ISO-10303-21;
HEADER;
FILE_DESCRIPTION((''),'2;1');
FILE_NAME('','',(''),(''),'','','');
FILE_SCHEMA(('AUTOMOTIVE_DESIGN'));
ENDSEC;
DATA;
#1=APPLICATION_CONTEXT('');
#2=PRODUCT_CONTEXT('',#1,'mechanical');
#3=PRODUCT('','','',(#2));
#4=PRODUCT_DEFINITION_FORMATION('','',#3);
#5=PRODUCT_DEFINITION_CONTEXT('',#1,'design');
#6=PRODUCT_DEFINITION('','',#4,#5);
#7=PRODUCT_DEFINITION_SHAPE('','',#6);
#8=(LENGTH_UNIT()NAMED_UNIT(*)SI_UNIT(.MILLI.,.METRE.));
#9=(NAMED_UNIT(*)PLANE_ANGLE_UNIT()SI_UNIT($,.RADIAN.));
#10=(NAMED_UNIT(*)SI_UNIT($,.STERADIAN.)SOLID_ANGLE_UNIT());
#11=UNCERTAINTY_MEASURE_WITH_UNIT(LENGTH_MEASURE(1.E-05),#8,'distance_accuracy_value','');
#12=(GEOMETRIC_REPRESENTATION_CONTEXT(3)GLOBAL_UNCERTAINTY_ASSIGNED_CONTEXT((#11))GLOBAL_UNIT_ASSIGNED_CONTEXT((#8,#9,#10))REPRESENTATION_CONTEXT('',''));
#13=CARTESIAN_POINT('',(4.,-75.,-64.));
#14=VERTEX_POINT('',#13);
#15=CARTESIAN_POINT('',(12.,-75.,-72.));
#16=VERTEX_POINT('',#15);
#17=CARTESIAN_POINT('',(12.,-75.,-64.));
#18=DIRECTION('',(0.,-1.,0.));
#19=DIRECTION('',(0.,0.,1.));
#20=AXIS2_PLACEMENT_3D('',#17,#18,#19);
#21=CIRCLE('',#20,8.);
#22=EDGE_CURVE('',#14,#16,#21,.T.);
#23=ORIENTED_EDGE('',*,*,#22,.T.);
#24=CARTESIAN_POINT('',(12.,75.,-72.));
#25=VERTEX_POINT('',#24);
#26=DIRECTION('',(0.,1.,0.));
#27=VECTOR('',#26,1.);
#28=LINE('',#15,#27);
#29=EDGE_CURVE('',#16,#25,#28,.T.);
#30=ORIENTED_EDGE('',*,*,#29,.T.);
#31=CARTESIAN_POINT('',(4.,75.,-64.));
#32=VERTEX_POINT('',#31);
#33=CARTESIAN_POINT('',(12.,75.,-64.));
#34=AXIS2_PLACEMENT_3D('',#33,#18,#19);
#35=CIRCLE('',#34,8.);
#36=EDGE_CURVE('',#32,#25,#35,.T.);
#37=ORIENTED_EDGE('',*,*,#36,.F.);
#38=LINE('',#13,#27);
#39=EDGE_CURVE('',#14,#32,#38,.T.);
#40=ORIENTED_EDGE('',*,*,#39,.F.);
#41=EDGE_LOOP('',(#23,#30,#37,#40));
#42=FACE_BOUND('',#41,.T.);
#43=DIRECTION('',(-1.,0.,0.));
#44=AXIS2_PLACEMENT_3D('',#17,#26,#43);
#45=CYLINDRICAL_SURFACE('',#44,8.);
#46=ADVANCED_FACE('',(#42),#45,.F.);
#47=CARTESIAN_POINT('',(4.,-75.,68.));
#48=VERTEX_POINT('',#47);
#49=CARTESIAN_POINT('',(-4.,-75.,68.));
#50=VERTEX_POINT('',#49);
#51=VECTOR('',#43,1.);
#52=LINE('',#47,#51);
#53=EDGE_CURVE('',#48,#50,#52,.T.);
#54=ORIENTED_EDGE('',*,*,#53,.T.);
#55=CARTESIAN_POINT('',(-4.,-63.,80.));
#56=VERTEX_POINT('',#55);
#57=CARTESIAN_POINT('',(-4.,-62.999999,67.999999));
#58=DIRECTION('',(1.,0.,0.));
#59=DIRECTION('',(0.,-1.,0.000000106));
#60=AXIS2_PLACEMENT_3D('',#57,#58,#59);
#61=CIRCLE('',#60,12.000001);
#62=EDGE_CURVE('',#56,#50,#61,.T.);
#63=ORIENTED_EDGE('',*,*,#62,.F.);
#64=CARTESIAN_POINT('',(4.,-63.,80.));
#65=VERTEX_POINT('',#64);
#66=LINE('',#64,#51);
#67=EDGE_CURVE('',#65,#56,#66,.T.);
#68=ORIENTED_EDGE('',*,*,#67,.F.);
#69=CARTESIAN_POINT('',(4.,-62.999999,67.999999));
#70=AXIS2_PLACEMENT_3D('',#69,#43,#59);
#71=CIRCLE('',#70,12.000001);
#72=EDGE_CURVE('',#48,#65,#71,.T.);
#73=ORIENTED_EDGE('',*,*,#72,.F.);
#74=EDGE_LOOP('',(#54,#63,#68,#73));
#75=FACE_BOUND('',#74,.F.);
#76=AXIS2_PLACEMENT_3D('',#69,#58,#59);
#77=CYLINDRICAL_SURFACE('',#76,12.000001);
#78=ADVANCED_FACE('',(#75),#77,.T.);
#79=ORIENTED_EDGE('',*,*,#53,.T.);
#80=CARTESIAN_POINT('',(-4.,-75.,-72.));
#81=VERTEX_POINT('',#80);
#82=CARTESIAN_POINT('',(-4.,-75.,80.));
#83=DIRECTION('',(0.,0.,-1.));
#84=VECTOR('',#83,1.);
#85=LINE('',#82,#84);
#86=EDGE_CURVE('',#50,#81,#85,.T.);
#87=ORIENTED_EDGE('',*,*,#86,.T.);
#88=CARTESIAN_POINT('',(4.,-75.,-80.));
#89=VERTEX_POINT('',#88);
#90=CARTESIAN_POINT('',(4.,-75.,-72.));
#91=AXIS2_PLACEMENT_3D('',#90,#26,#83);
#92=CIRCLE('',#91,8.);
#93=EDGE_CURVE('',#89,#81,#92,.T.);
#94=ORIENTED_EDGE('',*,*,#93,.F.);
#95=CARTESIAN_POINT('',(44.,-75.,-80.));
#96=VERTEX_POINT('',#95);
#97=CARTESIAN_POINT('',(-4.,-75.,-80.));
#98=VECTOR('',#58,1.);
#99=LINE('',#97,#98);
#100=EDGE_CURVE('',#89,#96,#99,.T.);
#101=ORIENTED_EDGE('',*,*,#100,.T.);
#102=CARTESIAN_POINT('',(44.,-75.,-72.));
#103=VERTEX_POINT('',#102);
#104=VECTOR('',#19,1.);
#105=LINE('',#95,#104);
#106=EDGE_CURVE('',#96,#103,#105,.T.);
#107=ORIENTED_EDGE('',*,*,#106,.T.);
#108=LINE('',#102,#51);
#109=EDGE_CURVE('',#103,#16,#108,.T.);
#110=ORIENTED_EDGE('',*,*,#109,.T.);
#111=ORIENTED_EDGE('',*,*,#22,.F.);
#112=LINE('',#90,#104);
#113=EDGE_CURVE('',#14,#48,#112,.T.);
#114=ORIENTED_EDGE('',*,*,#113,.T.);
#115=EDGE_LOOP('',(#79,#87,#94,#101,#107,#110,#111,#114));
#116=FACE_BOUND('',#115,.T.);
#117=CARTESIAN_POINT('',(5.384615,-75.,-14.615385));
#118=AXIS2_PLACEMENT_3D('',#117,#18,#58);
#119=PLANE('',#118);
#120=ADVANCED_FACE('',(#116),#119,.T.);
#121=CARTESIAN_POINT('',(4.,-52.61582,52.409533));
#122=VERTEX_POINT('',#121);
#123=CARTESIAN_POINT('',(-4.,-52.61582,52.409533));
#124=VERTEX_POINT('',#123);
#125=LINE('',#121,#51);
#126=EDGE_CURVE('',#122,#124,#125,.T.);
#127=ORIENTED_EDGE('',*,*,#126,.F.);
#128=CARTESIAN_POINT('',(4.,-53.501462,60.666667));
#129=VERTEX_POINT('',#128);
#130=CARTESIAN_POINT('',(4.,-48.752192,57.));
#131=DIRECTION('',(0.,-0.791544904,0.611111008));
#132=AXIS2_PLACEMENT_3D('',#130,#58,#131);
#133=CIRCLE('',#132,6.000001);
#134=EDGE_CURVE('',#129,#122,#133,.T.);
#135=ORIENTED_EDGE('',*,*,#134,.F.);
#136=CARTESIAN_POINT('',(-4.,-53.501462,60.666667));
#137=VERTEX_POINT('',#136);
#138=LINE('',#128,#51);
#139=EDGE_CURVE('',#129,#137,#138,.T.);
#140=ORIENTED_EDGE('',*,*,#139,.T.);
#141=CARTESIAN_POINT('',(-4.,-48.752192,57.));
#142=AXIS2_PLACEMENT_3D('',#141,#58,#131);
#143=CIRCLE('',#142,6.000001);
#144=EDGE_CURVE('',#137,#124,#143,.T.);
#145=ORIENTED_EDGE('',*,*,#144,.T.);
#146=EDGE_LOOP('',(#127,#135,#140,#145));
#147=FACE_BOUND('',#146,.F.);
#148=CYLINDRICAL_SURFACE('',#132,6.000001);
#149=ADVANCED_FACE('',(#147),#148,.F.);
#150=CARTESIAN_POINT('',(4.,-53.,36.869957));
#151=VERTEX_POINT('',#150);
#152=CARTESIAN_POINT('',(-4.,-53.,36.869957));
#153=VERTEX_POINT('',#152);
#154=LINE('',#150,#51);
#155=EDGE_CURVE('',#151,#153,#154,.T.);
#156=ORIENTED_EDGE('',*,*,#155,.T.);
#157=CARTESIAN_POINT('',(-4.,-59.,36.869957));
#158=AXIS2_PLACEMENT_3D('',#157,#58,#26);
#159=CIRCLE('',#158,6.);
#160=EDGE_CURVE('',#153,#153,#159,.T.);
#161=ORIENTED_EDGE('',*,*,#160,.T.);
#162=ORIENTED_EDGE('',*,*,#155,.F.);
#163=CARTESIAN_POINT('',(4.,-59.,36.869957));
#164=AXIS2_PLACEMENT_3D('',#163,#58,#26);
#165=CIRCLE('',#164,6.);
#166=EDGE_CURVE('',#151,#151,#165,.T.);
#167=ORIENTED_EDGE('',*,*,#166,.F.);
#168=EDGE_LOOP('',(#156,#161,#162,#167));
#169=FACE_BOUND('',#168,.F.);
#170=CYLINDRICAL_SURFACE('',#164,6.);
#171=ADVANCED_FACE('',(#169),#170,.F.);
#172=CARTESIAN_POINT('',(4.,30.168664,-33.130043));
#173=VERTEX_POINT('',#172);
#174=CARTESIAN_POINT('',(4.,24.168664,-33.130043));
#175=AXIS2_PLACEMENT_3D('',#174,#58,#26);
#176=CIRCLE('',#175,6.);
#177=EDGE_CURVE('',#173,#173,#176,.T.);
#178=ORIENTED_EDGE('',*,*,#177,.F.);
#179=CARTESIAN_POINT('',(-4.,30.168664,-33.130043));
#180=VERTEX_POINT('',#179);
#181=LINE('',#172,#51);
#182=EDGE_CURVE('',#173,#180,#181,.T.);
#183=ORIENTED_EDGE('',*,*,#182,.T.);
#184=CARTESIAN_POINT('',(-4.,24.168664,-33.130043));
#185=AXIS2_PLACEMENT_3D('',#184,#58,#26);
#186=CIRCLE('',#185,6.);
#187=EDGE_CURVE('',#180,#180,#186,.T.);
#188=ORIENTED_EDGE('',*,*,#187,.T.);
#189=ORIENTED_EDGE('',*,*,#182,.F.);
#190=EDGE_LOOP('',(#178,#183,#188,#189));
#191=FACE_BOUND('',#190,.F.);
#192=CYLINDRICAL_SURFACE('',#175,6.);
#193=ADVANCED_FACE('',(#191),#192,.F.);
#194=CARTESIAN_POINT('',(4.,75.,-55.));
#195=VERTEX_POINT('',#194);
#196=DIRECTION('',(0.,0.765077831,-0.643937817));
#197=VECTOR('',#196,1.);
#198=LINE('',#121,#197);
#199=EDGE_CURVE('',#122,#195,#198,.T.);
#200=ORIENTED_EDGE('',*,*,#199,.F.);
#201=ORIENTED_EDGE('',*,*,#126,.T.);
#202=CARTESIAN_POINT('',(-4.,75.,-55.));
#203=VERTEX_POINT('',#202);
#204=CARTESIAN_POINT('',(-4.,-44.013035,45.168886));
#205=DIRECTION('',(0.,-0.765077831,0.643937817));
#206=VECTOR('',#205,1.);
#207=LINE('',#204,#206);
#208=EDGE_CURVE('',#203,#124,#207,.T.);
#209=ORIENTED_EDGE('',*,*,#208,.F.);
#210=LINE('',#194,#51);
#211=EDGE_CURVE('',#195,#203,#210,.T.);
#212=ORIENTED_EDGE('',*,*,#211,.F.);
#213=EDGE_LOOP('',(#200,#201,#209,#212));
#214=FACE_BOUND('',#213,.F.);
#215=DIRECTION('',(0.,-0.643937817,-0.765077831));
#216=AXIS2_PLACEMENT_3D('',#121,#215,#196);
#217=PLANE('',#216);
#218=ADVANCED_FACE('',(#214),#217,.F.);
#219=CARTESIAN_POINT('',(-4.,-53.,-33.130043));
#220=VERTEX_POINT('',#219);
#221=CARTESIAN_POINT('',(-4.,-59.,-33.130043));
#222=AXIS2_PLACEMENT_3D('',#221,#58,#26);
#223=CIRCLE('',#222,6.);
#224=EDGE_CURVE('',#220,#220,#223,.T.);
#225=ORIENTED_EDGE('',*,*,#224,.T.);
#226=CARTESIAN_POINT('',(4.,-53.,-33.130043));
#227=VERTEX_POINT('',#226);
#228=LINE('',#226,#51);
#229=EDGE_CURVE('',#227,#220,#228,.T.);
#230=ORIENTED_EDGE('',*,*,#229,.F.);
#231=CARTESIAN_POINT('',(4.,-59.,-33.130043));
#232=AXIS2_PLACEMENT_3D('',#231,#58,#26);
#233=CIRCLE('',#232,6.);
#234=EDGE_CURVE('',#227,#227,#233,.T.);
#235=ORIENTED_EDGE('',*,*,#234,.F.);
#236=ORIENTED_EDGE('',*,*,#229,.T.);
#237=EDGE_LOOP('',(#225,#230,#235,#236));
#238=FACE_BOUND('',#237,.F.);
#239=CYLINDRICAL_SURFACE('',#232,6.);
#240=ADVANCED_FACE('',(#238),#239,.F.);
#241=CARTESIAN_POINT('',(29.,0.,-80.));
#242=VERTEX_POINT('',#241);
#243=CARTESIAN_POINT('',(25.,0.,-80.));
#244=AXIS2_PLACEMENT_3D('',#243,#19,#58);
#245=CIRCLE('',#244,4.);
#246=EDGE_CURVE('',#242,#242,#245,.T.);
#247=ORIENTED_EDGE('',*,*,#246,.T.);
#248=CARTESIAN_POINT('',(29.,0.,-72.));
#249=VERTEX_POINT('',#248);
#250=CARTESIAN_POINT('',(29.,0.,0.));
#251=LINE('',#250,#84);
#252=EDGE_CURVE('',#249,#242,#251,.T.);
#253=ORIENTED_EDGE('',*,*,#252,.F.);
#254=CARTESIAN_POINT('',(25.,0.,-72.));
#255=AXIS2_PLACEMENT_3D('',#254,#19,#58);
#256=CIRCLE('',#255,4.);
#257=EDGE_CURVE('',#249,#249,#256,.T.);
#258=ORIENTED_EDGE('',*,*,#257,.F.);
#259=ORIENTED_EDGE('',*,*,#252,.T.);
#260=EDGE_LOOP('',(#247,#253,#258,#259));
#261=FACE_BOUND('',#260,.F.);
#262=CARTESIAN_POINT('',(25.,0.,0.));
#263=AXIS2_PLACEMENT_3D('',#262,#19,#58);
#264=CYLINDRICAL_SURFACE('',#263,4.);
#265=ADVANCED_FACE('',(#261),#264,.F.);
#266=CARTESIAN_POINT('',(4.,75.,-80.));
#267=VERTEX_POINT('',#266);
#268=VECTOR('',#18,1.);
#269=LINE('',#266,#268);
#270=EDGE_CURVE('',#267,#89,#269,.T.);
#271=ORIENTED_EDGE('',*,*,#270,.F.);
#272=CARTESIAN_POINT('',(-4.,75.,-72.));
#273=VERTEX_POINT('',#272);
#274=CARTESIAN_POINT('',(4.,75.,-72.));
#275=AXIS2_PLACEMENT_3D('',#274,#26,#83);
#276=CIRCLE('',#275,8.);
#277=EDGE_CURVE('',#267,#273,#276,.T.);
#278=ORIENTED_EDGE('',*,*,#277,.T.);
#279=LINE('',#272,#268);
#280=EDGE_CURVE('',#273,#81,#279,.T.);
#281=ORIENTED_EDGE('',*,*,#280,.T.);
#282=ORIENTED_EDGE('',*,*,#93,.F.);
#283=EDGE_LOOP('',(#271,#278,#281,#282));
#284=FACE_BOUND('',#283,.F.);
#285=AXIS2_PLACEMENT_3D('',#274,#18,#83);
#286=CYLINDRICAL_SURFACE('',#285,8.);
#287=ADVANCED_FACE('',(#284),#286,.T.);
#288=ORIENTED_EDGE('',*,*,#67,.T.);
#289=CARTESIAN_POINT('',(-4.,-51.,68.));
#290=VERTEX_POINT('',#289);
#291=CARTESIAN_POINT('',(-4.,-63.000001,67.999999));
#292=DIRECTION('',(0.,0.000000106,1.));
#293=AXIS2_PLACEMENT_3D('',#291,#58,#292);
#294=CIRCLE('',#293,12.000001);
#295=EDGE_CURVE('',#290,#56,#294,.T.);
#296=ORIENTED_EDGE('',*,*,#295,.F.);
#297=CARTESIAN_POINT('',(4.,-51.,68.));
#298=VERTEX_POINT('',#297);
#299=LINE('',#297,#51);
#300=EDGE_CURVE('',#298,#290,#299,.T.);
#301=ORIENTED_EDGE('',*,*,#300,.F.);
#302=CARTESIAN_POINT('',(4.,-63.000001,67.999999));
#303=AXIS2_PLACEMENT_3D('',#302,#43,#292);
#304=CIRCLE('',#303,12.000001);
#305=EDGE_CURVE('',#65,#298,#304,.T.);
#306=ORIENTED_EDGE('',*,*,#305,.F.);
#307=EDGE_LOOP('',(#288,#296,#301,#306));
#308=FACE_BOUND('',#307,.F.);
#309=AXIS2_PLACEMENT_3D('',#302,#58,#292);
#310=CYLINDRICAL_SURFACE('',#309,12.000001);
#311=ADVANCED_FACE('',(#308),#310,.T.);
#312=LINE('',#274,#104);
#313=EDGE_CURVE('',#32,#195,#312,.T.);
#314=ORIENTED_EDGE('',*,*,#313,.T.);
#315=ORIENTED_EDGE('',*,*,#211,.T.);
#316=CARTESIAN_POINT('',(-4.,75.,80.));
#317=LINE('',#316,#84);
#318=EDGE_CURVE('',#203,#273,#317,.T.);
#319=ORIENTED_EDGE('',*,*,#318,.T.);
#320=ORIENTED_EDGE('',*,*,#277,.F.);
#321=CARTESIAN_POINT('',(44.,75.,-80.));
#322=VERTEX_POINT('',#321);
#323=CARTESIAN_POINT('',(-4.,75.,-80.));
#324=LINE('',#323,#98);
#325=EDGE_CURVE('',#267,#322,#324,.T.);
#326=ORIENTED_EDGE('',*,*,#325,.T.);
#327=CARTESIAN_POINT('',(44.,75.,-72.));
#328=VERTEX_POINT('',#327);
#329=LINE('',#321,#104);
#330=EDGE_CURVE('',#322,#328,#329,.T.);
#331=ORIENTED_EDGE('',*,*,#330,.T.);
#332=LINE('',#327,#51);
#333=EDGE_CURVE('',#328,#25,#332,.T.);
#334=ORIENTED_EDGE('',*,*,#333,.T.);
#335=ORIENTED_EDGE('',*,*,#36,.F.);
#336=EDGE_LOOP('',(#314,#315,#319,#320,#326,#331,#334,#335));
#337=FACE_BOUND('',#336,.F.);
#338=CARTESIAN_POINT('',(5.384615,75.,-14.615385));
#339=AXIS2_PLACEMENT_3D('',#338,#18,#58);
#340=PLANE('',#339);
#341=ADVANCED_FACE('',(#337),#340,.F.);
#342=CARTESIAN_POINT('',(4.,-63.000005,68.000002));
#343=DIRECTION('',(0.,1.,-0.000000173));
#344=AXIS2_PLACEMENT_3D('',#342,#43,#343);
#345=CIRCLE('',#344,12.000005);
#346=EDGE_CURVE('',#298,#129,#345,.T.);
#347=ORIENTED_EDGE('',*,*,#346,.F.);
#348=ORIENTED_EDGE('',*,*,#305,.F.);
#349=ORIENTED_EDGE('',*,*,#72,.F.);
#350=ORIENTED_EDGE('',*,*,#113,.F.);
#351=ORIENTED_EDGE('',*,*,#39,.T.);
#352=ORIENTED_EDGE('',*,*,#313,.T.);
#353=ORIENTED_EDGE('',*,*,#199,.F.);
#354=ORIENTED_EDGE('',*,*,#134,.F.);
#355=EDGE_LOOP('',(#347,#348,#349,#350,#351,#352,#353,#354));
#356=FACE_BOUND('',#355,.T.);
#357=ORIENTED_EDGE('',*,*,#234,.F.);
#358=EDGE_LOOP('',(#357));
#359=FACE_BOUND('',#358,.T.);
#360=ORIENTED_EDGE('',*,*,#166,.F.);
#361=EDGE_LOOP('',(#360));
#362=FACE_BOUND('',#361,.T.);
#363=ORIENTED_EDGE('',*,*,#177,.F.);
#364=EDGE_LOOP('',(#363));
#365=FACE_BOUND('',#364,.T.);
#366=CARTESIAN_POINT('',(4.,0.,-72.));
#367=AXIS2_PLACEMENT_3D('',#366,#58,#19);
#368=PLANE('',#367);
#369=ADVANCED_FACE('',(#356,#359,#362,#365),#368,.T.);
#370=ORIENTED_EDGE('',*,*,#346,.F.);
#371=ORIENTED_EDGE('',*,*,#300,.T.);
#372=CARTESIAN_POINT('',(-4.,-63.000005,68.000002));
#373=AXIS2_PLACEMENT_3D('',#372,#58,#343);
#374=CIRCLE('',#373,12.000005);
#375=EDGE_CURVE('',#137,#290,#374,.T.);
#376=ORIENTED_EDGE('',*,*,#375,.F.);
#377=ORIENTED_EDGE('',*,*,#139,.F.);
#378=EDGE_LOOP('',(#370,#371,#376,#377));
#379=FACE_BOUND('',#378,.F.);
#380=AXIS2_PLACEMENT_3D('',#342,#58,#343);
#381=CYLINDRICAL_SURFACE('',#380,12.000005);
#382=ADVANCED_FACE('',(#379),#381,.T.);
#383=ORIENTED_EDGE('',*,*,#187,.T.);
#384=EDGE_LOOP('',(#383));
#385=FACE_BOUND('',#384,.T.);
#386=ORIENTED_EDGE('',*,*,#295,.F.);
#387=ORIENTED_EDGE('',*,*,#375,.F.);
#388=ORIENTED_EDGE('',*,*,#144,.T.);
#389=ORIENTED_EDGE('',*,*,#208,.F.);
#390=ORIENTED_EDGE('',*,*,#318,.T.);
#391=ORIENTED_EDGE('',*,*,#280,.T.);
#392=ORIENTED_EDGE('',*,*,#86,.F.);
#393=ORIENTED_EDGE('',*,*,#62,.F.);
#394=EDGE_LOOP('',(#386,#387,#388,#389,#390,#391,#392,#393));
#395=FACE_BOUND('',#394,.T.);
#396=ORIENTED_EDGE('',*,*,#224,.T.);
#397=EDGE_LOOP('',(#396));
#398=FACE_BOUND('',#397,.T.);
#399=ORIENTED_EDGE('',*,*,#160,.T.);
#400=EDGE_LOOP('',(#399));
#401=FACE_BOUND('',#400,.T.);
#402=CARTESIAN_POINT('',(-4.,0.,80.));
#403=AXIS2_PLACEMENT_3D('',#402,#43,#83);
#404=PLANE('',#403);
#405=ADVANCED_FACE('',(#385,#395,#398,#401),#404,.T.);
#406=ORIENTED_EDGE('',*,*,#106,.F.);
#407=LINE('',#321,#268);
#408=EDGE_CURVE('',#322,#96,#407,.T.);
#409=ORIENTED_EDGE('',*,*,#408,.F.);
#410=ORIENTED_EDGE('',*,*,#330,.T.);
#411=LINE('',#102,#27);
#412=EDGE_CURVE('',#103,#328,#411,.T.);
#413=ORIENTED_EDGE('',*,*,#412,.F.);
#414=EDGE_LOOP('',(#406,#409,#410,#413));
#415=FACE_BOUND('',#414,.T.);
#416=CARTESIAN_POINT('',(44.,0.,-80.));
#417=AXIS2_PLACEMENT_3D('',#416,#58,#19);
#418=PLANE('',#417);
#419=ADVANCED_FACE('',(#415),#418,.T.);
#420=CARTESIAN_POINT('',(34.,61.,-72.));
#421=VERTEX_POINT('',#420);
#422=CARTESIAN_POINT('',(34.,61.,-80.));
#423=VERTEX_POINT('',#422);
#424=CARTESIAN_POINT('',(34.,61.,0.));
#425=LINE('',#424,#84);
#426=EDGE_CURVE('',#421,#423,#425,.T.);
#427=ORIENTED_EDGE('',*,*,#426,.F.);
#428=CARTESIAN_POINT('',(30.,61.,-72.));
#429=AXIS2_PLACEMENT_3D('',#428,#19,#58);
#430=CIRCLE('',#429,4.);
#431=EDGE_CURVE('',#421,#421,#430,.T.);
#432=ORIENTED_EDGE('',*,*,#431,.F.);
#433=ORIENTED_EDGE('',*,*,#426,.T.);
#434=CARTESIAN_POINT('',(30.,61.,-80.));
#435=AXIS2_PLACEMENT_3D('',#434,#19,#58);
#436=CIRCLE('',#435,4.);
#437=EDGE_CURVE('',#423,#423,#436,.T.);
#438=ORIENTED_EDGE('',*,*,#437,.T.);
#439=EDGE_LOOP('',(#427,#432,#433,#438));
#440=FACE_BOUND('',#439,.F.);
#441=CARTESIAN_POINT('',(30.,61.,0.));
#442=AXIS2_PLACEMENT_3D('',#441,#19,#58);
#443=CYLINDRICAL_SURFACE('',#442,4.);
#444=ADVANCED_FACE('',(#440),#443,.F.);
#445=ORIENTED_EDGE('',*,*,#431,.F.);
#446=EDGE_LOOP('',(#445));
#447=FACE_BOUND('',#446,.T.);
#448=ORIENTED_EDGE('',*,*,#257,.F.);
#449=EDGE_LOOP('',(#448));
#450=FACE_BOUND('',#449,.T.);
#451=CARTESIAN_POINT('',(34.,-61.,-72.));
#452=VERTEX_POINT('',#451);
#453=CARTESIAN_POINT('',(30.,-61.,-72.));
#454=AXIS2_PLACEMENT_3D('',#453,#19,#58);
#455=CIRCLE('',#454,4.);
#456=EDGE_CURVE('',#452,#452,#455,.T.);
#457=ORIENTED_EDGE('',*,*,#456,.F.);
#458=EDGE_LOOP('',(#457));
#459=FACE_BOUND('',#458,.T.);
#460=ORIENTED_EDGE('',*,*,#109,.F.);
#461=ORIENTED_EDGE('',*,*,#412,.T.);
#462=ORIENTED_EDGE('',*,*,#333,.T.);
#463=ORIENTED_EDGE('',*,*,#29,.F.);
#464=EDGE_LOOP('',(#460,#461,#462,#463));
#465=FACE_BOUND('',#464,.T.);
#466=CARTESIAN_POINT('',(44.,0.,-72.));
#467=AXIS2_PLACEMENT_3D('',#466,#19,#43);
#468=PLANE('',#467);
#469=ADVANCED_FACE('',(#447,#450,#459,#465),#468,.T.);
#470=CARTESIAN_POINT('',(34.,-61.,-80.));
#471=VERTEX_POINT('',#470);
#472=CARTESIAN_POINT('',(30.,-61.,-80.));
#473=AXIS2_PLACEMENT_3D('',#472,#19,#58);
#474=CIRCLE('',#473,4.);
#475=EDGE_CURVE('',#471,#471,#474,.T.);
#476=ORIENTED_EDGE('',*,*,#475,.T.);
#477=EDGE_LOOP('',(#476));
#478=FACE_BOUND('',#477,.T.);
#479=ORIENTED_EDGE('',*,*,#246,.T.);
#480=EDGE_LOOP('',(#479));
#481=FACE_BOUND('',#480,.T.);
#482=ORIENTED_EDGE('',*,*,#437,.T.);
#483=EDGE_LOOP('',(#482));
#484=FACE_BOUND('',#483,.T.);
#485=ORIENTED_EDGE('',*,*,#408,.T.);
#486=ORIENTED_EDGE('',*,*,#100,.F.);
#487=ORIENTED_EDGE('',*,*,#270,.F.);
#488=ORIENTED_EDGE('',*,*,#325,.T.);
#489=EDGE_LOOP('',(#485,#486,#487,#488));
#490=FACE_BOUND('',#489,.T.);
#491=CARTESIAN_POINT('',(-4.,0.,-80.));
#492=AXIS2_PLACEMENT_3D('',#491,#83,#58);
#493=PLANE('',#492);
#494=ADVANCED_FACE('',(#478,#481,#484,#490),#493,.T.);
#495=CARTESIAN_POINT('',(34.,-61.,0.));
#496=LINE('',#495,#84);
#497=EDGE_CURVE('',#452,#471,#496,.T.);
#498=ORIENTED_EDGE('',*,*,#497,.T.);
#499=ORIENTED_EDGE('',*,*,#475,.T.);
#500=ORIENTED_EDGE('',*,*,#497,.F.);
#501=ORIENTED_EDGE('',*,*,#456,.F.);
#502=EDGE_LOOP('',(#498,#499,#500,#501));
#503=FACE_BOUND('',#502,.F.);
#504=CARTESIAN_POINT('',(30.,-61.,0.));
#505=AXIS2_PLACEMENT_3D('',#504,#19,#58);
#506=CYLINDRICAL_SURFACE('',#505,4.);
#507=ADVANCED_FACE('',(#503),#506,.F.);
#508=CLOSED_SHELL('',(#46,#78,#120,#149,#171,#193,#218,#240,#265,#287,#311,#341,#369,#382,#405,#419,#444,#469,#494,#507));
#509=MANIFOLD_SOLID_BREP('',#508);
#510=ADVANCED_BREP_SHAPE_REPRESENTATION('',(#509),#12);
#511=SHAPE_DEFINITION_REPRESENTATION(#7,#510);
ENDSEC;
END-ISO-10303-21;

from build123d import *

# Parameters (mm, degrees)
F1_DEPTH = 75
F2_R     = 8
F3_R     = 6
F4_DEPTH = 8.001
F5_R     = 4
F6_DEPTH = 80.001


with BuildPart() as f1:
    # F0 (on Front) → F1 (new body, symmetric)
    with BuildSketch(Plane.XZ):
        Polygon((4, 80), (-4, 80), (-4, -80), (44, -80), (44, -72), (4, -72), align=None)
    extrude(amount=F1_DEPTH, both=True)

    # F2
    f2_edges = [f1.edges().sort_by_distance(p)[0] for p in [
        (4, 0, -72),
        (-4, 0, -80),
    ]]
    fillet(f2_edges, radius=F2_R)

    # F3 (on face) → F4 (cut, through all)
    with BuildSketch(Plane.YZ.offset(4)):
        with BuildLine():
            ThreePointArc((-63, 80), (-54.514719, 76.485281), (-51, 68))
            ThreePointArc((-51, 68), (-51.64257, 64.125884), (-53.501462, 60.666667))
            ThreePointArc((-53.501462, 60.666667), (-54.717975, 56.360123), (-52.61582, 52.409533))
            Line((-52.61582, 52.409533), (75, -55))
            Line((75, -55), (75, 80))
            Line((75, 80), (-63, 80))
        make_face()
        with BuildLine():
            ThreePointArc((-75, 68), (-71.485281, 76.485281), (-63, 80))
            Line((-63, 80), (-75, 80))
            Line((-75, 80), (-75, 68))
        make_face()
        with Locations((-59, 36.869957)):
            Circle(F3_R)
        with Locations((-59, -33.130043)):
            Circle(F3_R)
        with Locations((24.168664, -33.130043)):
            Circle(F3_R)
    extrude(amount=-F4_DEPTH, mode=Mode.SUBTRACT)

    # F5 (on Top) → F6 (cut, through all)
    with BuildSketch(Plane.XY):
        with Locations((30, -61)):
            Circle(F5_R)
        with Locations((25, 0)):
            Circle(F5_R)
        with Locations((30, 61)):
            Circle(F5_R)
    extrude(amount=-F6_DEPTH, mode=Mode.SUBTRACT)


solid = f1.part
